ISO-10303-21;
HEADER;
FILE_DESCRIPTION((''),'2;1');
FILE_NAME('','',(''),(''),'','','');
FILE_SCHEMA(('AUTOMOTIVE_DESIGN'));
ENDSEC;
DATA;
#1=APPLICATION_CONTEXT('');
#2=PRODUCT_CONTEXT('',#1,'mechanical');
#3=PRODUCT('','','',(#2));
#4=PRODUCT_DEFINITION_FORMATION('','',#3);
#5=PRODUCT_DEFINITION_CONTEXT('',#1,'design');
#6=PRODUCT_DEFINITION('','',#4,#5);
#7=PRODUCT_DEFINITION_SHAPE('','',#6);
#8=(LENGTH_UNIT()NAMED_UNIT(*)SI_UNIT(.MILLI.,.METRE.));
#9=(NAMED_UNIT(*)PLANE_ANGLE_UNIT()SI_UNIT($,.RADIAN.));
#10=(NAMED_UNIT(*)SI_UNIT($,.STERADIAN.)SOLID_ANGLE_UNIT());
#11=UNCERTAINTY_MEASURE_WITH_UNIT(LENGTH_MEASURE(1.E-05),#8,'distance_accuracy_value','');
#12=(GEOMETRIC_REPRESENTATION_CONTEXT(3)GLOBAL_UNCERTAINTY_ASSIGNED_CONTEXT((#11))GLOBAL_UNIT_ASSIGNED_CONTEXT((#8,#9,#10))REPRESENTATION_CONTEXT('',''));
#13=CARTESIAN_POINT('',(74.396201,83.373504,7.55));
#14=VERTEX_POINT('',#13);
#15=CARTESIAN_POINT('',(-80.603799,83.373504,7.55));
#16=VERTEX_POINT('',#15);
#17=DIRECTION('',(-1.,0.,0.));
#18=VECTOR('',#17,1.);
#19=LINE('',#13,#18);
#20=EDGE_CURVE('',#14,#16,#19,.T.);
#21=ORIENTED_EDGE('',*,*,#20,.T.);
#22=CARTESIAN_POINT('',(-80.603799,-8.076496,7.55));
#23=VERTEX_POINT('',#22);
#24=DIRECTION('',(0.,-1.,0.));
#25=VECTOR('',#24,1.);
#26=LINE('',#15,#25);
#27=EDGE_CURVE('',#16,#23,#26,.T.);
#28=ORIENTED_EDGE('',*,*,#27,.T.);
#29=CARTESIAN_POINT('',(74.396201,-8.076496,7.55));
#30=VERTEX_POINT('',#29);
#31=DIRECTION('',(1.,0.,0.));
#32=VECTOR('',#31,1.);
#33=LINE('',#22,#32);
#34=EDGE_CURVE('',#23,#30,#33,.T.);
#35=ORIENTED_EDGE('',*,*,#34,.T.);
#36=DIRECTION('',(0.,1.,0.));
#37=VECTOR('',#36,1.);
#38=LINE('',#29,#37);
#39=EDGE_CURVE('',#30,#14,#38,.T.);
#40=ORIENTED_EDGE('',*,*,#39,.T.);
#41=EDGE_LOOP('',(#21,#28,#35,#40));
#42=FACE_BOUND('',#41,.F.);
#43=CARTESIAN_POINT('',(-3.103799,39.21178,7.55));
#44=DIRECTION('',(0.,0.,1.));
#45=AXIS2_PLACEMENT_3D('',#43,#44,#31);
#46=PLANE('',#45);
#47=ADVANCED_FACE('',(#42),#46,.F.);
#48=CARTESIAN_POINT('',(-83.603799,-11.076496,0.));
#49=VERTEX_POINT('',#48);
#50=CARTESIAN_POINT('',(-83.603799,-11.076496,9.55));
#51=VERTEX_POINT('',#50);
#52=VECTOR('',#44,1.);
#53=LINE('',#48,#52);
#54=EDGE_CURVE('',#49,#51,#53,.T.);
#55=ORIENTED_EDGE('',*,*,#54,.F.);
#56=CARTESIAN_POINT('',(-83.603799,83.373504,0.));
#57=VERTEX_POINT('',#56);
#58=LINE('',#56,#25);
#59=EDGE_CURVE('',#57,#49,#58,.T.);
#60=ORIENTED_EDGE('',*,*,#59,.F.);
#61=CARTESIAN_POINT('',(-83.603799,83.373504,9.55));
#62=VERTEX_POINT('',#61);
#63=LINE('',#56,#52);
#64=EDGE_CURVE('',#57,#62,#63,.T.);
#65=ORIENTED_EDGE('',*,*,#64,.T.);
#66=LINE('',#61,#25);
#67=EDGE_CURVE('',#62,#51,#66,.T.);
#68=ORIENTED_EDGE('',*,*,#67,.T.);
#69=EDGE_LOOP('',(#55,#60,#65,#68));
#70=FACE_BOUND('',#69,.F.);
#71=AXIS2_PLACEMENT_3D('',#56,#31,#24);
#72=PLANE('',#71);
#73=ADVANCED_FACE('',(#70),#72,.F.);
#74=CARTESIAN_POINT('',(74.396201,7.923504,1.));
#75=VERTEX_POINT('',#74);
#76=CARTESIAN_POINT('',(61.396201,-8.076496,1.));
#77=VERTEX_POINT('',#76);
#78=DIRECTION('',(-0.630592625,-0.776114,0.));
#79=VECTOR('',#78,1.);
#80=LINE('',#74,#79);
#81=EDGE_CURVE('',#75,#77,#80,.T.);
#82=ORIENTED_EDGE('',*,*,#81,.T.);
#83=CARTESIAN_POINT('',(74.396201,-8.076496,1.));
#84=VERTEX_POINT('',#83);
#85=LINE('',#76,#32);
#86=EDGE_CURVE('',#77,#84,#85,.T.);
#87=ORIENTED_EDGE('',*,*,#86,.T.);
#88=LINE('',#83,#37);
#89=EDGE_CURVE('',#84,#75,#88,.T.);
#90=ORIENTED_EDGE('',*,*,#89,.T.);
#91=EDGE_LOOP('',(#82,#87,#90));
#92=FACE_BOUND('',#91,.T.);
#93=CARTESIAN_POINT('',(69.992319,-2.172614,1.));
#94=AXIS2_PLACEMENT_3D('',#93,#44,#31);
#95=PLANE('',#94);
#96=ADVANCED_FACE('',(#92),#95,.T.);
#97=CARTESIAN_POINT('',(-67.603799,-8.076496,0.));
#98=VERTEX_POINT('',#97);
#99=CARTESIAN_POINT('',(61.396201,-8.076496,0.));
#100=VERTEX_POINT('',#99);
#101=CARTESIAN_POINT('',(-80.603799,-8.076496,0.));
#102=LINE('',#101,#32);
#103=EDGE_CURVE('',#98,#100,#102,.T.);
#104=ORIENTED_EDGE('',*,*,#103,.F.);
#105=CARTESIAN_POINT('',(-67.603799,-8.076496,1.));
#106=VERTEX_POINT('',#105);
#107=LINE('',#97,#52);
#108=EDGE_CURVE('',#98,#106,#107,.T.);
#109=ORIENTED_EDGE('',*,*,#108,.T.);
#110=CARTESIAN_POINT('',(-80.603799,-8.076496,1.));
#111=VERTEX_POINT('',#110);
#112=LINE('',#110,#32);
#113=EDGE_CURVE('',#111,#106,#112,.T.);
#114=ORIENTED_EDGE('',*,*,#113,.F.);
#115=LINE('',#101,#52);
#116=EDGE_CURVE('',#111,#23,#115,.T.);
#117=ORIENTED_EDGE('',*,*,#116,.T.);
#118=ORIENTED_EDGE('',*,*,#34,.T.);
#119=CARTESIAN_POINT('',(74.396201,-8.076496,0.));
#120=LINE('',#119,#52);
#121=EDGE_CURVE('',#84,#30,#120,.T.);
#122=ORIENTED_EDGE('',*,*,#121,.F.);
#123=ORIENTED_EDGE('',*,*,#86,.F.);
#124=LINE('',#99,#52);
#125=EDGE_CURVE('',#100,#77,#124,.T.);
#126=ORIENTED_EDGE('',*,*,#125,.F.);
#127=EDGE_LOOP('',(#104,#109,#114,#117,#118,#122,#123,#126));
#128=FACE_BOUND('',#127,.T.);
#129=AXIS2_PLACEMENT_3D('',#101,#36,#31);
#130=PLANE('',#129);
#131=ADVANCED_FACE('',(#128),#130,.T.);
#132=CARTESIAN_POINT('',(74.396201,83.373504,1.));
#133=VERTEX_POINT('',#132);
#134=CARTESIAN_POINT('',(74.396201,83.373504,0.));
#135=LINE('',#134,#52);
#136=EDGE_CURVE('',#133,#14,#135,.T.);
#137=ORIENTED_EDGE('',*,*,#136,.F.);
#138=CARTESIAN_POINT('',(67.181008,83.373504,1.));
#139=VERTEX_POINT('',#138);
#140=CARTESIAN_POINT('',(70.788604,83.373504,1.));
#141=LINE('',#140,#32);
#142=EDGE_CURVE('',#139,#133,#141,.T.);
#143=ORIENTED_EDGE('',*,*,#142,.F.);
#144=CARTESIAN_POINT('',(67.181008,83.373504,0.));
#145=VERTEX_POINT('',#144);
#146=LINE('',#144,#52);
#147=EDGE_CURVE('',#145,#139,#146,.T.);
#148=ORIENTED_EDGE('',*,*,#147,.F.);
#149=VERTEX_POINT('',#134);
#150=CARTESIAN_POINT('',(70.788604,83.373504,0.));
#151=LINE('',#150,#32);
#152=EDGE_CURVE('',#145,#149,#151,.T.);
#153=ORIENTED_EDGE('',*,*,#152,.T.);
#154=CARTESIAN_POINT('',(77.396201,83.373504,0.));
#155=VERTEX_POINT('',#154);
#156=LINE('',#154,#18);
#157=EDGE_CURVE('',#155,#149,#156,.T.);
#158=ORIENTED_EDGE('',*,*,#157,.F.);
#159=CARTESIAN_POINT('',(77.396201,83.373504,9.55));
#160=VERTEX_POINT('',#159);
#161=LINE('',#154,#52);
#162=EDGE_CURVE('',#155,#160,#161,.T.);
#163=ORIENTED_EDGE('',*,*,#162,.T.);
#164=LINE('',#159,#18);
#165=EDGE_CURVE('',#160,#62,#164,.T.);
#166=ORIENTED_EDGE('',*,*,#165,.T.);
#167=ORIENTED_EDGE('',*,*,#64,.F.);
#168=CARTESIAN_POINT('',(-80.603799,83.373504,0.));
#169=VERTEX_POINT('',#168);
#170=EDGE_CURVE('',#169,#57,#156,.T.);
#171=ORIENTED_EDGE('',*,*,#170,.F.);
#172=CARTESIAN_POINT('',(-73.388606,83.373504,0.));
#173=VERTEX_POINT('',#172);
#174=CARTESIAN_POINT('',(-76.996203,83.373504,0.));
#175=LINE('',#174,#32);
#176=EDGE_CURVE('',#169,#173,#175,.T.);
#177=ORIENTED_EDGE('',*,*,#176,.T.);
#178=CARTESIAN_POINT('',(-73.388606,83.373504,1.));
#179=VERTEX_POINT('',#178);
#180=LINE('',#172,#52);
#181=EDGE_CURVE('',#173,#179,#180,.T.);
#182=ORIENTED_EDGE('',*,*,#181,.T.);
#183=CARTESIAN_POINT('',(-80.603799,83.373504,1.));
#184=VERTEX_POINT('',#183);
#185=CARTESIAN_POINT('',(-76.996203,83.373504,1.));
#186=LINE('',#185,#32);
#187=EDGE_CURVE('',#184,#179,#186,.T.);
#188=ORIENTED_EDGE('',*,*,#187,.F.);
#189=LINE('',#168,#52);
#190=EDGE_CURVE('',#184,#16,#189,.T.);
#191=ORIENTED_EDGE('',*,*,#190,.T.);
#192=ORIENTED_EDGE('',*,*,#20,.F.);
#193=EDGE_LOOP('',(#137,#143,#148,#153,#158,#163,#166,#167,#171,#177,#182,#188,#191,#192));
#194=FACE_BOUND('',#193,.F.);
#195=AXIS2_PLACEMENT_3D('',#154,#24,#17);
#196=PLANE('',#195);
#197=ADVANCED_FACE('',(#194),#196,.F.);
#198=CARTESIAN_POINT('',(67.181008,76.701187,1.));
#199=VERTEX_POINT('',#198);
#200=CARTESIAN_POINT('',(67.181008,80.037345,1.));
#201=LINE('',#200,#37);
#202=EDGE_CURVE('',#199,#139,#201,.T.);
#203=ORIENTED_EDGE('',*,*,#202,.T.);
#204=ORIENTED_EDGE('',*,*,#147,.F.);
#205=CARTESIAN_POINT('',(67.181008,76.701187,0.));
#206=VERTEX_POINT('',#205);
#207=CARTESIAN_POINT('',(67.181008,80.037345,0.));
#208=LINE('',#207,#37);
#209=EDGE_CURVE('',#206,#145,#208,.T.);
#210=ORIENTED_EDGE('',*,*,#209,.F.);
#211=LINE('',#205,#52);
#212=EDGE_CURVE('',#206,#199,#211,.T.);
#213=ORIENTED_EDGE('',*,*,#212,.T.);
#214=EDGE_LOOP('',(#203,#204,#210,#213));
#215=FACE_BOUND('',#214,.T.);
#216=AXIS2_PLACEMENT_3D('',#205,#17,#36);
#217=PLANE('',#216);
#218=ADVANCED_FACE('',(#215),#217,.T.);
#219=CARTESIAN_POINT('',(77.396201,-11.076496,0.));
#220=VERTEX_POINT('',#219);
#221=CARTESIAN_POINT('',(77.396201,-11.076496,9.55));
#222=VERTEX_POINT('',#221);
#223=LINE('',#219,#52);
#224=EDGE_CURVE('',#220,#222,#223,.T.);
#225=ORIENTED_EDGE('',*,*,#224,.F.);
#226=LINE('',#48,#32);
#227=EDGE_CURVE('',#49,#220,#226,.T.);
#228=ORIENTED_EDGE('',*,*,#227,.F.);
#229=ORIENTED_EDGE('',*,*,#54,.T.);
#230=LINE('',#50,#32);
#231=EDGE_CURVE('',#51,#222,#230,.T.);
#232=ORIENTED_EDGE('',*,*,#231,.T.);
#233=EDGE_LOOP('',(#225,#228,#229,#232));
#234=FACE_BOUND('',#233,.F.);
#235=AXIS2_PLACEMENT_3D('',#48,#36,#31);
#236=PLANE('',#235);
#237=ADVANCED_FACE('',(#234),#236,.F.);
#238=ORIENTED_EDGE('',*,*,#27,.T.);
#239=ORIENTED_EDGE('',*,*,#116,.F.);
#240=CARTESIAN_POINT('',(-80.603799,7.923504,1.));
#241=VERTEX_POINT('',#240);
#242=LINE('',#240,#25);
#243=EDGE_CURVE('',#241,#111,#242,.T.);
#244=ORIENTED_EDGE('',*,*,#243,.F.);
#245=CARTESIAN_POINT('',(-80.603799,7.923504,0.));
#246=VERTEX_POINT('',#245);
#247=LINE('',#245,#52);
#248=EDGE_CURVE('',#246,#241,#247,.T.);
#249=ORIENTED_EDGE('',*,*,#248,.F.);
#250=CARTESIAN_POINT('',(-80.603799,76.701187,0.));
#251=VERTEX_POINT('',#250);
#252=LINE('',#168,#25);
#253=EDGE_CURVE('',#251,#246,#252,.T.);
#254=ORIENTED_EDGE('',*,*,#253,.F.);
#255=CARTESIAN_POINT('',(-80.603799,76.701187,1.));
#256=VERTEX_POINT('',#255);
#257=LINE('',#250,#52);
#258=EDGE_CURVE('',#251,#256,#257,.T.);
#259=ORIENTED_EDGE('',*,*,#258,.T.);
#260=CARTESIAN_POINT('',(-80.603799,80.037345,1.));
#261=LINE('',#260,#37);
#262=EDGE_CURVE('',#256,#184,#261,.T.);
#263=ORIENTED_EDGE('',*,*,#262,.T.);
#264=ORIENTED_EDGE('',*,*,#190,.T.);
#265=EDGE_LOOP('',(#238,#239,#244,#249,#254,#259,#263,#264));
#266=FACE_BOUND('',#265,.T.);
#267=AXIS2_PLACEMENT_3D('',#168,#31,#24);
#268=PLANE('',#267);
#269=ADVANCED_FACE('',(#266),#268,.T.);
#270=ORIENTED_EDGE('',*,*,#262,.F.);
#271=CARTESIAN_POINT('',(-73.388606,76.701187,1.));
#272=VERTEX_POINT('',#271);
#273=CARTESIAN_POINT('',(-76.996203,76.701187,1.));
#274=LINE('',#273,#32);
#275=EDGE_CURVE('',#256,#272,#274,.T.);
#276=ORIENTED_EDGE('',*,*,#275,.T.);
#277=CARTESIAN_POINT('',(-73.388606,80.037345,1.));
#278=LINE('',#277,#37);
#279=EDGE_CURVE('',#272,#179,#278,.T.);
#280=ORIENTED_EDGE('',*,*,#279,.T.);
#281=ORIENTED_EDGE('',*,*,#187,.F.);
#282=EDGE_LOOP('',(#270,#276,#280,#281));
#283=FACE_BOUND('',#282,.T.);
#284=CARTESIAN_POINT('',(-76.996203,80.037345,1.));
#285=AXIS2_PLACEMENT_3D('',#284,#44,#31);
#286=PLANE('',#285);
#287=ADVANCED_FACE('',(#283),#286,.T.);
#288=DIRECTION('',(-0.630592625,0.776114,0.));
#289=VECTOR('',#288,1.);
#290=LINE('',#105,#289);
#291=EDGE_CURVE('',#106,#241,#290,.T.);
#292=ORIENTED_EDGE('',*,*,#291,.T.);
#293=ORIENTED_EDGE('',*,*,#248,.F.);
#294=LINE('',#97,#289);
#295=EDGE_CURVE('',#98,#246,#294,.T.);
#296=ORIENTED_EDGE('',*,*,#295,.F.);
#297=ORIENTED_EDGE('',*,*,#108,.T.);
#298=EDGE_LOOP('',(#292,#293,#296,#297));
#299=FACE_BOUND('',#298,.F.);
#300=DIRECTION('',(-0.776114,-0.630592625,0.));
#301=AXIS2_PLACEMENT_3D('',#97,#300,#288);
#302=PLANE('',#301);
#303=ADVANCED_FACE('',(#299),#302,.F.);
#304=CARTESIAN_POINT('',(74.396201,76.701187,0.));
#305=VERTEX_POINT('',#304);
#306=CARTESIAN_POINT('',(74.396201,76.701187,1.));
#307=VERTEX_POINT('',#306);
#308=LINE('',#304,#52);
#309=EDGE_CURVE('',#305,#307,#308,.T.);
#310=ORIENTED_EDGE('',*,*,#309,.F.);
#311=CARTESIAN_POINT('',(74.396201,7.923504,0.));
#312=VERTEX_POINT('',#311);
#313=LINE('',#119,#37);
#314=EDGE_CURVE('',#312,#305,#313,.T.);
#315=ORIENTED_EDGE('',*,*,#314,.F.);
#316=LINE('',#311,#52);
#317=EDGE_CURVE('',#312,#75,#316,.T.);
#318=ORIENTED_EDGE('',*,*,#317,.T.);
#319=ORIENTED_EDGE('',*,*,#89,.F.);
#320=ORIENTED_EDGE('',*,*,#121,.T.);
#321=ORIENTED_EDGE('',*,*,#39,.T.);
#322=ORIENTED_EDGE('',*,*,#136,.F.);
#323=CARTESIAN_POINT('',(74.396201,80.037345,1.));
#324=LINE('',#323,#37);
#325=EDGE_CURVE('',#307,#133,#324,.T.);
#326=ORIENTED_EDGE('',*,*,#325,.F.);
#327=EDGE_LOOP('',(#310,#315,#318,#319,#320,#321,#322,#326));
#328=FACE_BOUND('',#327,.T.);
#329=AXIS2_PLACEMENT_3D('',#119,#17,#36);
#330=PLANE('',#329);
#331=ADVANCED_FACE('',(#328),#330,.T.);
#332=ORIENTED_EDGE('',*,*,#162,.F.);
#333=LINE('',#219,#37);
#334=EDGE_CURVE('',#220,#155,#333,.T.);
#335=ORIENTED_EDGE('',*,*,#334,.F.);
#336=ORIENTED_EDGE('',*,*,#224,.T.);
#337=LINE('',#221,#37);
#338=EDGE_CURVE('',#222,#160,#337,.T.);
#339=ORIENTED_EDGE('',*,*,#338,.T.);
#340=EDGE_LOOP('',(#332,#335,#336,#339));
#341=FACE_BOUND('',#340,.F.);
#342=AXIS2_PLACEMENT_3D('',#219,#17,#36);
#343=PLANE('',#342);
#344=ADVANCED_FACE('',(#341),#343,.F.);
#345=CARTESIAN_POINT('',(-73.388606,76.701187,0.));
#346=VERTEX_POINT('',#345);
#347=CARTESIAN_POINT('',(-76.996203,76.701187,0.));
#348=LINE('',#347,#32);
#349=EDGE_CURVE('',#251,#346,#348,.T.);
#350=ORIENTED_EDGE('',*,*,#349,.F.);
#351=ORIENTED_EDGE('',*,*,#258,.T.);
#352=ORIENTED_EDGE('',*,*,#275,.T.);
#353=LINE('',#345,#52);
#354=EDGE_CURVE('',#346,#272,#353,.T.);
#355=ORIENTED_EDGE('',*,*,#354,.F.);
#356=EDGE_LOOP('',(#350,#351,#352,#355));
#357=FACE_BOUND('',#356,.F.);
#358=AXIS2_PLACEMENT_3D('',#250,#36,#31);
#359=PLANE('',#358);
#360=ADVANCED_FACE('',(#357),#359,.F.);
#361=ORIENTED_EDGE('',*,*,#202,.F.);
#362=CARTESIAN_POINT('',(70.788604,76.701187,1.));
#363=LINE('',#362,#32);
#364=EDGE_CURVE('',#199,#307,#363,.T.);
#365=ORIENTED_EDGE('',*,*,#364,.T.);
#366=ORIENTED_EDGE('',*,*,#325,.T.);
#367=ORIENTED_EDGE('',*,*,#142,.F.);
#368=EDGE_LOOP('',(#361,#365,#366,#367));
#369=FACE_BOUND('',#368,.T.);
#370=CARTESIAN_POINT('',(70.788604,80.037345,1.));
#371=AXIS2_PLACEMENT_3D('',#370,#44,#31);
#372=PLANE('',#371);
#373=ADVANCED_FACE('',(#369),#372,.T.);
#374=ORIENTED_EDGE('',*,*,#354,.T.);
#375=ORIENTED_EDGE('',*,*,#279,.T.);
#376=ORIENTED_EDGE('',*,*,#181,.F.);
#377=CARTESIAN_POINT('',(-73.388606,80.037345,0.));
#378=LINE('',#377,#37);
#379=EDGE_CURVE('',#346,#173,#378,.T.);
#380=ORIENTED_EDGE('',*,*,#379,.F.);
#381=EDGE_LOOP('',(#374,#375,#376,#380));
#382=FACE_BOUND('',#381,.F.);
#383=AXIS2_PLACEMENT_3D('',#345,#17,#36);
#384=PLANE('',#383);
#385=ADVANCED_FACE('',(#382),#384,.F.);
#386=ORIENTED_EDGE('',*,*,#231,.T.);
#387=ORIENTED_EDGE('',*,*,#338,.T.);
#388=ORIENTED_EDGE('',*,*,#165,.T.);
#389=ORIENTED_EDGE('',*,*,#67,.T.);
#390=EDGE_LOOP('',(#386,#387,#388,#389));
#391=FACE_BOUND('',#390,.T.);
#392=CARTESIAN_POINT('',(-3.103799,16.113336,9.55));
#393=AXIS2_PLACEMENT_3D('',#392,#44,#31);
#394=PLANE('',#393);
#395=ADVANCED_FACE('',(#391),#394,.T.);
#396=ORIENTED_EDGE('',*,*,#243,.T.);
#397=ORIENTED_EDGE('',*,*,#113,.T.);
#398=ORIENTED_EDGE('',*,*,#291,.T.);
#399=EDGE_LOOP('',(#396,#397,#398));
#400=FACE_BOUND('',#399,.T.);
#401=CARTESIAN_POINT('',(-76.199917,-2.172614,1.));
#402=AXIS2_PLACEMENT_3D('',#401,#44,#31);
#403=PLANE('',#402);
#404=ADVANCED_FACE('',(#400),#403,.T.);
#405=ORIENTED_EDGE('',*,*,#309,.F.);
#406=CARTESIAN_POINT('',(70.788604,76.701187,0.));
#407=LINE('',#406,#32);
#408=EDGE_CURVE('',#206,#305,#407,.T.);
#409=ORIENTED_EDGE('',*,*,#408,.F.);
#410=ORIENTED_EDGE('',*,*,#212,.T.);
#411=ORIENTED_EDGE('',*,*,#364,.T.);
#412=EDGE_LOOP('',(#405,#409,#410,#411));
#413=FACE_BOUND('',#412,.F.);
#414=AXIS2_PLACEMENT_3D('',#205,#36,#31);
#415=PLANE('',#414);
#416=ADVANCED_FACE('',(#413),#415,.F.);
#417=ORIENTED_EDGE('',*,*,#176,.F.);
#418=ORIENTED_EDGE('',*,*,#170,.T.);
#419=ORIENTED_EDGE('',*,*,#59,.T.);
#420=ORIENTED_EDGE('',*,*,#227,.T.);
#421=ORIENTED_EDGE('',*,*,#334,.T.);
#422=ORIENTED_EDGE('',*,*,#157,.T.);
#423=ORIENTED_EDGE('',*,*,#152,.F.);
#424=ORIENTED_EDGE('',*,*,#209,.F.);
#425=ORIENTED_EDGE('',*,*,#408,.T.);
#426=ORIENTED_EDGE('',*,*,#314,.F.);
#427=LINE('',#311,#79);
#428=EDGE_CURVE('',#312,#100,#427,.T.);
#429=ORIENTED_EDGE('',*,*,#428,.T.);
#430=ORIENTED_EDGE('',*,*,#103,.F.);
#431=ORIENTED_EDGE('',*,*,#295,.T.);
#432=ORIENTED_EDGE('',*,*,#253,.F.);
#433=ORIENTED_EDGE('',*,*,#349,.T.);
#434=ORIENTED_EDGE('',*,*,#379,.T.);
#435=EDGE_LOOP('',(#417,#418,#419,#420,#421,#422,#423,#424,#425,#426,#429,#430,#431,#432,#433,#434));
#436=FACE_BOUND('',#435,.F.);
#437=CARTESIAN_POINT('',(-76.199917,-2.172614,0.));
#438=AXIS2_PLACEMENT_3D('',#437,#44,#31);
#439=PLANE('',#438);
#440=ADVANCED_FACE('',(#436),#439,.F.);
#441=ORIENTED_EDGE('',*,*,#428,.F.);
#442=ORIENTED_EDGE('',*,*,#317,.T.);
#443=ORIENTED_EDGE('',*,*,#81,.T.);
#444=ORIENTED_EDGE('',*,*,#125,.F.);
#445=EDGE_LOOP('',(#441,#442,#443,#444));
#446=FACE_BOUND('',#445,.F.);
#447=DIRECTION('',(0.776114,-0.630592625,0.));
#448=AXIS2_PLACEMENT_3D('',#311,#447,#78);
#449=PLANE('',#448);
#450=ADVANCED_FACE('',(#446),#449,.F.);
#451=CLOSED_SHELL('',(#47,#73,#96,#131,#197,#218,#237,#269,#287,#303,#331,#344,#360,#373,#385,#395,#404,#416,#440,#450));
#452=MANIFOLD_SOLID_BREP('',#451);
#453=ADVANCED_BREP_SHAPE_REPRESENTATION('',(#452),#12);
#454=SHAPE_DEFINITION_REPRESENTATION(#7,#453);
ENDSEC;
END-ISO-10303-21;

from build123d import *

# Parameters (mm, degrees)
F0_W     = 7.2151930332
F0_H     = 6.6723177403
F1_DEPTH = 9.55
F2_DEPTH = 7.55
F3_DEPTH = 1


with BuildPart() as f1:
    # F0 (on Top) → F1 (new body)
    with BuildSketch(Plane.XY):
        Polygon((-80.6037993431, 76.7011865973), (-80.6037993431, 83.3735043377), (-83.6037993431, 83.3735043377), (-83.6037993431, -11.0764956623), (77.3962006569, -11.0764956623), (77.3962006569, 83.3735043377), (74.3962006569, 83.3735043377), (74.3962006569, 76.7011865973), (74.3962006569, 7.9235043377), (74.3962006569, -8.0764956623), (61.3962006569, -8.0764956623), (-67.6037993431, -8.0764956623), (-80.6037993431, -8.0764956623), (-80.6037993431, 7.9235043377), align=None)
        Polygon((-67.6037993431, -8.0764956623), (-80.6037993431, 7.9235043377), (-80.6037993431, -8.0764956623), align=None)
        Polygon((74.3962006569, 7.9235043377), (61.3962006569, -8.0764956623), (74.3962006569, -8.0764956623), align=None)
        Polygon((67.1810076237, 83.3735043377), (-73.3886063099, 83.3735043377), (-73.3886063099, 76.7011865973), (-80.6037993431, 76.7011865973), (-80.6037993431, 7.9235043377), (-67.6037993431, -8.0764956623), (61.3962006569, -8.0764956623), (74.3962006569, 7.9235043377), (74.3962006569, 76.7011865973), (67.1810076237, 76.7011865973), align=None)
        with Locations((70.7886041403, 80.0373454675)):
            Rectangle(F0_W, F0_H)
        with Locations((-76.9962028265, 80.0373454675)):
            Rectangle(F0_W, F0_H)
    extrude(amount=F1_DEPTH)

    # F0 (on Top) → F2 (cut)
    with BuildSketch(Plane.XY):
        Polygon((67.1810076237, 83.3735043377), (-73.3886063099, 83.3735043377), (-73.3886063099, 76.7011865973), (-80.6037993431, 76.7011865973), (-80.6037993431, 7.9235043377), (-67.6037993431, -8.0764956623), (61.3962006569, -8.0764956623), (74.3962006569, 7.9235043377), (74.3962006569, 76.7011865973), (67.1810076237, 76.7011865973), align=None)
        Polygon((-67.6037993431, -8.0764956623), (-80.6037993431, 7.9235043377), (-80.6037993431, -8.0764956623), align=None)
        Polygon((74.3962006569, 7.9235043377), (61.3962006569, -8.0764956623), (74.3962006569, -8.0764956623), align=None)
        with Locations((70.7886041403, 80.0373454675)):
            Rectangle(F0_W, F0_H)
        with Locations((-76.9962028265, 80.0373454675)):
            Rectangle(F0_W, F0_H)
    extrude(amount=F2_DEPTH, mode=Mode.SUBTRACT)

    # F0 (on Top) → F3 (join)
    with BuildSketch(Plane.XY):
        Polygon((-67.6037993431, -8.0764956623), (-80.6037993431, 7.9235043377), (-80.6037993431, -8.0764956623), align=None)
        Polygon((74.3962006569, 7.9235043377), (61.3962006569, -8.0764956623), (74.3962006569, -8.0764956623), align=None)
        with Locations((70.7886041403, 80.0373454675)):
            Rectangle(F0_W, F0_H)
        with Locations((-76.9962028265, 80.0373454675)):
            Rectangle(F0_W, F0_H)
    extrude(amount=F3_DEPTH)


solid = f1.part
